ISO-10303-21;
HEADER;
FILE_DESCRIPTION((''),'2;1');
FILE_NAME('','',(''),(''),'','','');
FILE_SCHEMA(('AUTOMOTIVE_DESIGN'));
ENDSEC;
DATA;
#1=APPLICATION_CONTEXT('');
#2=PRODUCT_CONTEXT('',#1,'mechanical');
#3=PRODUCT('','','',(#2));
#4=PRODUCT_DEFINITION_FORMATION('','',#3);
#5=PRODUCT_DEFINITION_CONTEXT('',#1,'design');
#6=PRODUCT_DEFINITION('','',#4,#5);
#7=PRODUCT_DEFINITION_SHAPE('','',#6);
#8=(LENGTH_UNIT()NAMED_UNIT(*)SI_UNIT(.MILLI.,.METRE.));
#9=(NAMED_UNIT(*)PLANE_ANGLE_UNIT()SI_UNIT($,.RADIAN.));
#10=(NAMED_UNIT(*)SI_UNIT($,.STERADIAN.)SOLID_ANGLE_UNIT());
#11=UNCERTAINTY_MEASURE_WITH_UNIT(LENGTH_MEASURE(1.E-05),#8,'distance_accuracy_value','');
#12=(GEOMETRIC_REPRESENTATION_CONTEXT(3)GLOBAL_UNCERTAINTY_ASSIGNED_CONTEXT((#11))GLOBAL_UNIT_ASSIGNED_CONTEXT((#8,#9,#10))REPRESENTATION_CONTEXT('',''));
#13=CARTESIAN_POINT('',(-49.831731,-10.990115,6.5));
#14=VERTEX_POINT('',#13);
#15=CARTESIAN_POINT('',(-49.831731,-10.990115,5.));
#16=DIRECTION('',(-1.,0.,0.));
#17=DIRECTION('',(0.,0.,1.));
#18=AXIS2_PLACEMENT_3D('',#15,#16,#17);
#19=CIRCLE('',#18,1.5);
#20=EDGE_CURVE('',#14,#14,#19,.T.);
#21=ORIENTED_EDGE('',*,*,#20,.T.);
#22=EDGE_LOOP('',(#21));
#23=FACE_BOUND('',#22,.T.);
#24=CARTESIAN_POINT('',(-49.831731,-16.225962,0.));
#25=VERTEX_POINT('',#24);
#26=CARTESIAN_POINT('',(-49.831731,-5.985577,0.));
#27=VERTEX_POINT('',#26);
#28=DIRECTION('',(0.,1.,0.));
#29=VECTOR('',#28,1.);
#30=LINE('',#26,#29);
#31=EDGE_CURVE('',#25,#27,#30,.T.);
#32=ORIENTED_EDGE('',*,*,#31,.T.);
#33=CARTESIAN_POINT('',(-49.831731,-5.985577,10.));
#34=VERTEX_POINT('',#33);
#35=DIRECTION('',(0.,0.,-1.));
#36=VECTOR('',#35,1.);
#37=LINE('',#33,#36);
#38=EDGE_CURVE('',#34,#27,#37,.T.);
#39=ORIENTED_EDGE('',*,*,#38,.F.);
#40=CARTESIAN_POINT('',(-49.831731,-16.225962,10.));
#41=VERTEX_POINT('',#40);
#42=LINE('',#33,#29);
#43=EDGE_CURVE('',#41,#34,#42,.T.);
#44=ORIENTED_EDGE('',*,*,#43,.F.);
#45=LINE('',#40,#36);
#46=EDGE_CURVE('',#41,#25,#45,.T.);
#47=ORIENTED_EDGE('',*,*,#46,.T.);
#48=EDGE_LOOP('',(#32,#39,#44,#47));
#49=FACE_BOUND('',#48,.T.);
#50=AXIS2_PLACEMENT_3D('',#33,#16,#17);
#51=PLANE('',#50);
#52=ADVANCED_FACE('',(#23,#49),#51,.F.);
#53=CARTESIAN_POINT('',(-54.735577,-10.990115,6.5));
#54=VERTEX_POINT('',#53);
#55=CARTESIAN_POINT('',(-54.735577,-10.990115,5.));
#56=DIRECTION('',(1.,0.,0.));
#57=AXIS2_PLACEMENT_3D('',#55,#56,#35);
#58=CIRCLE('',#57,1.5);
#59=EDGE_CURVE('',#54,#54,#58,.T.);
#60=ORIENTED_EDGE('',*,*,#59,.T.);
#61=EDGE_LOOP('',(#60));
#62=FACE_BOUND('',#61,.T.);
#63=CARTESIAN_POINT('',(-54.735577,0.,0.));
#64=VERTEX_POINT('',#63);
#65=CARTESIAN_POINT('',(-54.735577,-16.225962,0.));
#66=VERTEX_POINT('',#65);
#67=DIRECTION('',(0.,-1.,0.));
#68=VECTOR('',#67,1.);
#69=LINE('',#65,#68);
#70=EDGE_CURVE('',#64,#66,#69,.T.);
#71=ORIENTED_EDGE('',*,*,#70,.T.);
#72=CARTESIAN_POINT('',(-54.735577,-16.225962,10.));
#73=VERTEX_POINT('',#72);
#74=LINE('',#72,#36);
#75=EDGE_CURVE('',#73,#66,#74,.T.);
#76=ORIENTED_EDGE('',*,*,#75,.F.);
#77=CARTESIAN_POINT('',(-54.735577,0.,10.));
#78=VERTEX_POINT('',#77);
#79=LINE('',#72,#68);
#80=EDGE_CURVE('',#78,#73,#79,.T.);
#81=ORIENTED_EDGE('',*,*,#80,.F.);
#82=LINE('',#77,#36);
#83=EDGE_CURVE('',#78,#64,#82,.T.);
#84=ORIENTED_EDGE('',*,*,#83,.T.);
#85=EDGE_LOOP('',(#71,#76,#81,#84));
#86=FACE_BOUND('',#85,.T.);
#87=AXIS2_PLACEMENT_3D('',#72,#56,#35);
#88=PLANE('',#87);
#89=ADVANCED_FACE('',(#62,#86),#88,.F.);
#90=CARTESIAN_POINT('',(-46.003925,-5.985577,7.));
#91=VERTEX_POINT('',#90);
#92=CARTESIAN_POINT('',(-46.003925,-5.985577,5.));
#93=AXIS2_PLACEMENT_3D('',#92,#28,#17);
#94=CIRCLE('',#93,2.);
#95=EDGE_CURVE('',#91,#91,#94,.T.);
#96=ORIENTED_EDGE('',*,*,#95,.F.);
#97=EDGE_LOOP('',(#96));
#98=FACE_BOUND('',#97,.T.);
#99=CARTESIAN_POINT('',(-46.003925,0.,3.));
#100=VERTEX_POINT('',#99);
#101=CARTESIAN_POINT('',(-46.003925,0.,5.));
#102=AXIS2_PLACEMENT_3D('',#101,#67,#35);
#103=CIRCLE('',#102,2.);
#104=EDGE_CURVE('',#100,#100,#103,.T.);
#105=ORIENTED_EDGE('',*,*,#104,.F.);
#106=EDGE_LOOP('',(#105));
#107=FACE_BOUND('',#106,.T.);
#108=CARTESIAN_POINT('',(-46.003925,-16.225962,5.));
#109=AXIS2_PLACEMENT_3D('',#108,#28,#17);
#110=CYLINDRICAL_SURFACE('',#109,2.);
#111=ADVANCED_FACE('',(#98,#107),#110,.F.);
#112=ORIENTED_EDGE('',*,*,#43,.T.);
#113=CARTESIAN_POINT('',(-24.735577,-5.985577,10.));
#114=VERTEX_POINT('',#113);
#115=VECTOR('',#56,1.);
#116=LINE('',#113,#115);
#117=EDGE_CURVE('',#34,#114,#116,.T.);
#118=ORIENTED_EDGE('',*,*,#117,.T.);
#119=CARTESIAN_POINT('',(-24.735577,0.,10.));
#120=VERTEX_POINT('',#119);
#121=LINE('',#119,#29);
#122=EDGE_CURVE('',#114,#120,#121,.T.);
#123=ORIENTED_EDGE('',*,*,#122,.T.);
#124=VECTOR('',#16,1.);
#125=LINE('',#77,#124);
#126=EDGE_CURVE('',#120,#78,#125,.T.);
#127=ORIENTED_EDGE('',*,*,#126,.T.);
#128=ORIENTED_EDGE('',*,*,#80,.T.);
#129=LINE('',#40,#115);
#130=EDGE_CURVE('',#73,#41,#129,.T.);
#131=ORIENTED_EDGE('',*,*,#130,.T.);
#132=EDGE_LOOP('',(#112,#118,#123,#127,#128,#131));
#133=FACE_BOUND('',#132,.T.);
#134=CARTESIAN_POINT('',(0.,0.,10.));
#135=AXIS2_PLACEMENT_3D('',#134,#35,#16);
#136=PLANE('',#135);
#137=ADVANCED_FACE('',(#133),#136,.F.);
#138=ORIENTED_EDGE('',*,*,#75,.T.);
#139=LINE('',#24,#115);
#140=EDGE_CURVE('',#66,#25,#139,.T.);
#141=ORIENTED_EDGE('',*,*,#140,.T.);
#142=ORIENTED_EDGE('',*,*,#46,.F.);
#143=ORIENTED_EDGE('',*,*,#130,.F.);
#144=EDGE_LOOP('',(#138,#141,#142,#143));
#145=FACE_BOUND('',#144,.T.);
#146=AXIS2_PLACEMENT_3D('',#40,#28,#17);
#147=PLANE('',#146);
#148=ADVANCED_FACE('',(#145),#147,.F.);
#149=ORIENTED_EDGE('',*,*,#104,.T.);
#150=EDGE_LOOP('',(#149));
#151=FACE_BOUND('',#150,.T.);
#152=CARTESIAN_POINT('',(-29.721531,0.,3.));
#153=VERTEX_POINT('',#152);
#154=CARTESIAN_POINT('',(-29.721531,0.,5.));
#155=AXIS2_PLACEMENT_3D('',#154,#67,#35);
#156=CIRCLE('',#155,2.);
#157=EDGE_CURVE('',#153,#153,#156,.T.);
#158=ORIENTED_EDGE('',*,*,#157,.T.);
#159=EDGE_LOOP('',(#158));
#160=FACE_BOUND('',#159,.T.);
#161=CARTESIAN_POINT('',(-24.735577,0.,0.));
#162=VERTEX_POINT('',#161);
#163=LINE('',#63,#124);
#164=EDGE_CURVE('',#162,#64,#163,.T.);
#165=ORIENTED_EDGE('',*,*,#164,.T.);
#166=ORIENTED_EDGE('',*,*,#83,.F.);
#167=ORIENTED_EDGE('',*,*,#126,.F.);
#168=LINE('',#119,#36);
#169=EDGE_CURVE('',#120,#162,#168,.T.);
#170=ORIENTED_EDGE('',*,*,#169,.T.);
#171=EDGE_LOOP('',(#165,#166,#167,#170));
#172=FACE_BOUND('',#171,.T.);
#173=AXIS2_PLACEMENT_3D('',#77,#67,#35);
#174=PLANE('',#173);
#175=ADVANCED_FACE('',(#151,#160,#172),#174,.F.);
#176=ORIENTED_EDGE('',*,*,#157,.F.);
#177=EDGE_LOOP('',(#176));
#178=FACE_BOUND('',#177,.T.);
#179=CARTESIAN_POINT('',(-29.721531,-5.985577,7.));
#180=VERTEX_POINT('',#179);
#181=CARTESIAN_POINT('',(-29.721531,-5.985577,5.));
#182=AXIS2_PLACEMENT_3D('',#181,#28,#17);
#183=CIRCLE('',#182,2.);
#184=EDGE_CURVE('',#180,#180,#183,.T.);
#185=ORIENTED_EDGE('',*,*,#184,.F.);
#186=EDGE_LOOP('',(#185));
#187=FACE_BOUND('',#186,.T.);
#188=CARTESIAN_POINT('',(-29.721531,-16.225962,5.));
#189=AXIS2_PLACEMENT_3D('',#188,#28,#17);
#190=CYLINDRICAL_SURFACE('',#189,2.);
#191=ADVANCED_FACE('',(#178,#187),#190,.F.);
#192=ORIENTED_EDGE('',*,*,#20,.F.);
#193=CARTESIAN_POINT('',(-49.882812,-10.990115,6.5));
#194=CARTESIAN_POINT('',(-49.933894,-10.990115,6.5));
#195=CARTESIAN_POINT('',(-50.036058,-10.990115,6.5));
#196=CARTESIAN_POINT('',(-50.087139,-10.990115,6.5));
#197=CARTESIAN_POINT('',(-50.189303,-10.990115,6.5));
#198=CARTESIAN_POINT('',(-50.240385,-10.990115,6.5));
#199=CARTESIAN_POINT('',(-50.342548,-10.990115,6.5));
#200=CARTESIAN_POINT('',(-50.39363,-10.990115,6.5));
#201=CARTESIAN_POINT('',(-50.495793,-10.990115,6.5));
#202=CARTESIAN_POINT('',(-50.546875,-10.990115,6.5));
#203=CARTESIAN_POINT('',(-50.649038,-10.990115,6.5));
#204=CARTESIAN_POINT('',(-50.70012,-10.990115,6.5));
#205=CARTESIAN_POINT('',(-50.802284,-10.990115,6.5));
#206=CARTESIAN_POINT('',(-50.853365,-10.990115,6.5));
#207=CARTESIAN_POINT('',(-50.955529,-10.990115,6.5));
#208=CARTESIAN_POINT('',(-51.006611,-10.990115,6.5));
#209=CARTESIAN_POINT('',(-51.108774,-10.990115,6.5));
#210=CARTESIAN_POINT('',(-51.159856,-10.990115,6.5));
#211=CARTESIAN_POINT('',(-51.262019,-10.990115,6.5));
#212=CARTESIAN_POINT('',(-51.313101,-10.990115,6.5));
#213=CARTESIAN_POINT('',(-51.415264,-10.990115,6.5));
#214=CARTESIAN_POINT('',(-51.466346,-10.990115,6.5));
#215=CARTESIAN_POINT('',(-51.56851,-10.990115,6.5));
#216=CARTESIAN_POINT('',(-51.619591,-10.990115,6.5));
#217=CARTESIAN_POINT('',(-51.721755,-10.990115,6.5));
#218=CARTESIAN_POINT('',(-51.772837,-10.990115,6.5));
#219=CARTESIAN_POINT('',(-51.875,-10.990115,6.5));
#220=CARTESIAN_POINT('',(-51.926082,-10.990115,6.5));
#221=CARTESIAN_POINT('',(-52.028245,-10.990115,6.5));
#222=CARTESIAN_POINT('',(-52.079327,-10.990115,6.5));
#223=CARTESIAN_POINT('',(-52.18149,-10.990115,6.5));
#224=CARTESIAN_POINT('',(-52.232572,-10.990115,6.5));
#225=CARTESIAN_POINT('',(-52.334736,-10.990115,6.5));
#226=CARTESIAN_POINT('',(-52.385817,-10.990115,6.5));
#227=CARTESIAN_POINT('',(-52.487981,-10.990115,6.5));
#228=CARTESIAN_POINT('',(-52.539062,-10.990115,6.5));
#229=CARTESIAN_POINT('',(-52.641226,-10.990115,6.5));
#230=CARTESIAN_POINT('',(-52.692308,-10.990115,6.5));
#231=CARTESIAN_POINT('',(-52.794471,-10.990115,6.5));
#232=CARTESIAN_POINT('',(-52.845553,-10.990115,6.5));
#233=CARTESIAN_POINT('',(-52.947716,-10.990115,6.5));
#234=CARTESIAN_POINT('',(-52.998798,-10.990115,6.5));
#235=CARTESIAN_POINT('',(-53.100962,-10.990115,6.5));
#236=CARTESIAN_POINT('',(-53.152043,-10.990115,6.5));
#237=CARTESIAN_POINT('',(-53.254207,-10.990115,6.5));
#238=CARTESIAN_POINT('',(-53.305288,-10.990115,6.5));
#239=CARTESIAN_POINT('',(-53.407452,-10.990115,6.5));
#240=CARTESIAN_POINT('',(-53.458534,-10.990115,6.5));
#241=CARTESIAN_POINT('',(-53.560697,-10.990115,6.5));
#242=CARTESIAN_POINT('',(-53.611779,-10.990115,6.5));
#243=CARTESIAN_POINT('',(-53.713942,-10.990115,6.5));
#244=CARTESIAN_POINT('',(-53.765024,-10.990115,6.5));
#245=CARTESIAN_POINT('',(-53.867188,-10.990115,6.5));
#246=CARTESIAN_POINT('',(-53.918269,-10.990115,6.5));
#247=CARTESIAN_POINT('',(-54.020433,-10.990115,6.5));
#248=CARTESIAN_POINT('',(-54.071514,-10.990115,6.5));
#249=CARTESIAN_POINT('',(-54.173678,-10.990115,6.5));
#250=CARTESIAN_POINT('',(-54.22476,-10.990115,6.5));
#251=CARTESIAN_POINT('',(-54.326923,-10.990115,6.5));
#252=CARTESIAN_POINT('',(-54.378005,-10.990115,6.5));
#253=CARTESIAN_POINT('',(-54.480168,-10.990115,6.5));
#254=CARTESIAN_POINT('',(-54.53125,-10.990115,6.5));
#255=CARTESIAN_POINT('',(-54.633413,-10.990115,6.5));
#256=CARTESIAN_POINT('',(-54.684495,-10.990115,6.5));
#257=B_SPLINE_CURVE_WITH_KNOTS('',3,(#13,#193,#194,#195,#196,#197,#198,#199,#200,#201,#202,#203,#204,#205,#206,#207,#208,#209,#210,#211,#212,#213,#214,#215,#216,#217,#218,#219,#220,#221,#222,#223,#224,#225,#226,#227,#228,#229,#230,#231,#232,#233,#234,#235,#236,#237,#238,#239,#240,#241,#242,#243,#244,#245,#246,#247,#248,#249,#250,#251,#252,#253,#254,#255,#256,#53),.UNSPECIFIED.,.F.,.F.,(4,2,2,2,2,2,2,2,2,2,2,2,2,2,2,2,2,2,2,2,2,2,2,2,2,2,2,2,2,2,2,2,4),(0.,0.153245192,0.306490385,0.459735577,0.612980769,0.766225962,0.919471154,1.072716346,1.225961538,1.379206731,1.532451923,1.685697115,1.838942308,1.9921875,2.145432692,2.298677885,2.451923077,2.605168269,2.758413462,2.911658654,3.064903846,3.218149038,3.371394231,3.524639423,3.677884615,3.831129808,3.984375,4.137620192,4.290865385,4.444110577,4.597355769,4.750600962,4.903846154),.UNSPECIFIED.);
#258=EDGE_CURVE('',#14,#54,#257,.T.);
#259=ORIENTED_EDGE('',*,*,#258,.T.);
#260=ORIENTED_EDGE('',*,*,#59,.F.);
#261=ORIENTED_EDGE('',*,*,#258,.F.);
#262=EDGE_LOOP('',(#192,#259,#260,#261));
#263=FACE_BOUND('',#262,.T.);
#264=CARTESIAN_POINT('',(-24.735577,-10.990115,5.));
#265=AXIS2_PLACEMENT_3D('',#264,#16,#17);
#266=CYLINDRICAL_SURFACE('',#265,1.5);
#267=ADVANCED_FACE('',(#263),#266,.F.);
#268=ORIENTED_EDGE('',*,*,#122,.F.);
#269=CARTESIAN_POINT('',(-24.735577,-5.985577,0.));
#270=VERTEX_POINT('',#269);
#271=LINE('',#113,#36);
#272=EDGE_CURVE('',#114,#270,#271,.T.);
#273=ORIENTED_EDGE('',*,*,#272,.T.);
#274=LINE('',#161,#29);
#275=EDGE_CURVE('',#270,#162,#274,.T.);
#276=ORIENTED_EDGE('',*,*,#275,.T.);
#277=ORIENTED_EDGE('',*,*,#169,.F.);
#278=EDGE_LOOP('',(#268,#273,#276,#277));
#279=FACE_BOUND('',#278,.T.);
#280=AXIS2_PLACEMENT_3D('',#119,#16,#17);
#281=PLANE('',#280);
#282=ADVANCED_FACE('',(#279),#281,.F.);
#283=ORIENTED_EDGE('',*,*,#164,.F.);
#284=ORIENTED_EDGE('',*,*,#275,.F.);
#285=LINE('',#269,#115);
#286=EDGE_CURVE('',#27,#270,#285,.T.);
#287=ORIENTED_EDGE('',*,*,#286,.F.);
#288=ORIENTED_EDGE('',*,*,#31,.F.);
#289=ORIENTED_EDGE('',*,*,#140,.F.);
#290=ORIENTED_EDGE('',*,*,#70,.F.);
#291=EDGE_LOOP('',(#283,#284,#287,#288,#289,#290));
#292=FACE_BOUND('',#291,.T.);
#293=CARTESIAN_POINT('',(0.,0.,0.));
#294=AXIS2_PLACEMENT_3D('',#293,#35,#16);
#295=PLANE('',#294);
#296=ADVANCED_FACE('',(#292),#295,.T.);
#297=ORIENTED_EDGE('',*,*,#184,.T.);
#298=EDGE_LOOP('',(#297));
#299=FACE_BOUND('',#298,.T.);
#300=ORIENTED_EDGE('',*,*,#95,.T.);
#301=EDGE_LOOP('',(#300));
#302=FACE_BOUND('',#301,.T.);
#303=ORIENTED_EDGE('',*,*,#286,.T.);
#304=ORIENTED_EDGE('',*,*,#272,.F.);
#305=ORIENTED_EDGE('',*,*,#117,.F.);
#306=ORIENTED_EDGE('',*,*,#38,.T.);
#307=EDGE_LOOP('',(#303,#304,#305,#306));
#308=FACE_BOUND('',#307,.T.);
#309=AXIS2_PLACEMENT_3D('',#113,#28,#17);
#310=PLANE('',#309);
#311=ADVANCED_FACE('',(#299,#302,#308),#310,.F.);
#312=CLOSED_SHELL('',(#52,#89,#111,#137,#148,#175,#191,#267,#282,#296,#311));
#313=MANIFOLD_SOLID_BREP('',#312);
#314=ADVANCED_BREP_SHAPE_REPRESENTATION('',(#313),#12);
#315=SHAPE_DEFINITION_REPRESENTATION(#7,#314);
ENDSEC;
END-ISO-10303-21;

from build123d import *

# Parameters (mm, degrees)
BOSS_EXTRUDE1_DEPTH     = 10
CUT_EXTRUDE1_DEPTH      = 58.959168463
CUT_EXTRUDE1_DEPTH_BACK = 58.959168463
SKETCH7_R               = 0.991796169
CUT_EXTRUDE2_DEPTH      = 58.959168463
CUT_EXTRUDE2_DEPTH_BACK = 58.959168463
CUT_EXTRUDE3_DEPTH      = 36.542676149
CUT_EXTRUDE3_DEPTH_BACK = 36.542676149
SKETCH9_R               = 0.986488891
CUT_EXTRUDE4_DEPTH      = 36.542676149
CUT_EXTRUDE4_DEPTH_BACK = 36.542676149
SKETCH10_R              = 1.5
CUT_EXTRUDE5_DEPTH      = 58.959168463
CUT_EXTRUDE5_DEPTH_BACK = 58.959168463
SKETCH12_R              = 2


with BuildPart() as part:
    # Sketch1 → Boss-Extrude1 (new body)
    with BuildSketch(Plane.XY):
        Polygon((-54.735576923, 0), (-24.735576923, 0), (-24.735576923, -5.985576923), (-49.831730769, -5.985576923), (-49.831730769, -16.225961538), (-54.735576923, -16.225961538), align=None)
    extrude(amount=BOSS_EXTRUDE1_DEPTH)

    # Sketch7 → Cut-Extrude1 (cut, two sides: drawn at the far end of the back side and taken through both)
    with BuildSketch(Plane(origin=(0, 0, 0), x_dir=(1, 0, 0), z_dir=(0, 1, 0)).offset(-CUT_EXTRUDE1_DEPTH_BACK)):
        with Locations(Location((-29.721531387, -5, 0), (0, 0, 270))):
            Circle(SKETCH7_R)
    extrude(amount=CUT_EXTRUDE1_DEPTH + CUT_EXTRUDE1_DEPTH_BACK, mode=Mode.SUBTRACT)

    # Sketch2 → Cut-Extrude2 (cut, two sides: drawn at the far end of the back side and taken through both)
    with BuildSketch(Plane(origin=(0, 0, 0), x_dir=(1, 0, 0), z_dir=(0, 1, 0)).offset(-CUT_EXTRUDE2_DEPTH_BACK)):
        with BuildLine():
            ThreePointArc((-45.014660465, -5), (-46.003925048, -4.010735417), (-46.993189631, -5))
            Line((-46.993189631, -5), (-45.014660465, -5))
        make_face()
        with BuildLine():
            Line((-45.014660465, -5), (-46.993189631, -5))
            ThreePointArc((-46.993189631, -5), (-46.003925048, -5.989264583), (-45.014660465, -5))
        make_face()
    extrude(amount=CUT_EXTRUDE2_DEPTH + CUT_EXTRUDE2_DEPTH_BACK, mode=Mode.SUBTRACT)

    # Sketch9 → Cut-Extrude3 (cut, two sides: drawn at the far end of the back side and taken through both)
    with BuildSketch(Plane.ZY.offset(54.735576923).offset(-CUT_EXTRUDE3_DEPTH_BACK)):
        with Locations((5, -10.990115231)):
            Circle(SKETCH9_R)
    extrude(amount=CUT_EXTRUDE3_DEPTH + CUT_EXTRUDE3_DEPTH_BACK, mode=Mode.SUBTRACT)

    # Sketch10 → Cut-Extrude4 (cut, two sides: drawn at the far end of the back side and taken through both)
    with BuildSketch(Plane.ZY.offset(54.735576923).offset(-CUT_EXTRUDE4_DEPTH_BACK)):
        with Locations((5, -10.990115231)):
            Circle(SKETCH10_R)
    extrude(amount=CUT_EXTRUDE4_DEPTH + CUT_EXTRUDE4_DEPTH_BACK, mode=Mode.SUBTRACT)

    # Sketch12 → Cut-Extrude5 (cut, two sides: drawn at the far end of the back side and taken through both)
    with BuildSketch(Plane(origin=(0, 0, 0), x_dir=(1, 0, 0), z_dir=(0, 1, 0)).offset(-CUT_EXTRUDE5_DEPTH_BACK)):
        with Locations(Location((-46.003925048, -5, 0), (0, 0, 270))):
            Circle(SKETCH12_R)
        with Locations(Location((-29.721531387, -5, 0), (0, 0, 270))):
            Circle(SKETCH12_R)
    extrude(amount=CUT_EXTRUDE5_DEPTH + CUT_EXTRUDE5_DEPTH_BACK, mode=Mode.SUBTRACT)


solid = part.part
